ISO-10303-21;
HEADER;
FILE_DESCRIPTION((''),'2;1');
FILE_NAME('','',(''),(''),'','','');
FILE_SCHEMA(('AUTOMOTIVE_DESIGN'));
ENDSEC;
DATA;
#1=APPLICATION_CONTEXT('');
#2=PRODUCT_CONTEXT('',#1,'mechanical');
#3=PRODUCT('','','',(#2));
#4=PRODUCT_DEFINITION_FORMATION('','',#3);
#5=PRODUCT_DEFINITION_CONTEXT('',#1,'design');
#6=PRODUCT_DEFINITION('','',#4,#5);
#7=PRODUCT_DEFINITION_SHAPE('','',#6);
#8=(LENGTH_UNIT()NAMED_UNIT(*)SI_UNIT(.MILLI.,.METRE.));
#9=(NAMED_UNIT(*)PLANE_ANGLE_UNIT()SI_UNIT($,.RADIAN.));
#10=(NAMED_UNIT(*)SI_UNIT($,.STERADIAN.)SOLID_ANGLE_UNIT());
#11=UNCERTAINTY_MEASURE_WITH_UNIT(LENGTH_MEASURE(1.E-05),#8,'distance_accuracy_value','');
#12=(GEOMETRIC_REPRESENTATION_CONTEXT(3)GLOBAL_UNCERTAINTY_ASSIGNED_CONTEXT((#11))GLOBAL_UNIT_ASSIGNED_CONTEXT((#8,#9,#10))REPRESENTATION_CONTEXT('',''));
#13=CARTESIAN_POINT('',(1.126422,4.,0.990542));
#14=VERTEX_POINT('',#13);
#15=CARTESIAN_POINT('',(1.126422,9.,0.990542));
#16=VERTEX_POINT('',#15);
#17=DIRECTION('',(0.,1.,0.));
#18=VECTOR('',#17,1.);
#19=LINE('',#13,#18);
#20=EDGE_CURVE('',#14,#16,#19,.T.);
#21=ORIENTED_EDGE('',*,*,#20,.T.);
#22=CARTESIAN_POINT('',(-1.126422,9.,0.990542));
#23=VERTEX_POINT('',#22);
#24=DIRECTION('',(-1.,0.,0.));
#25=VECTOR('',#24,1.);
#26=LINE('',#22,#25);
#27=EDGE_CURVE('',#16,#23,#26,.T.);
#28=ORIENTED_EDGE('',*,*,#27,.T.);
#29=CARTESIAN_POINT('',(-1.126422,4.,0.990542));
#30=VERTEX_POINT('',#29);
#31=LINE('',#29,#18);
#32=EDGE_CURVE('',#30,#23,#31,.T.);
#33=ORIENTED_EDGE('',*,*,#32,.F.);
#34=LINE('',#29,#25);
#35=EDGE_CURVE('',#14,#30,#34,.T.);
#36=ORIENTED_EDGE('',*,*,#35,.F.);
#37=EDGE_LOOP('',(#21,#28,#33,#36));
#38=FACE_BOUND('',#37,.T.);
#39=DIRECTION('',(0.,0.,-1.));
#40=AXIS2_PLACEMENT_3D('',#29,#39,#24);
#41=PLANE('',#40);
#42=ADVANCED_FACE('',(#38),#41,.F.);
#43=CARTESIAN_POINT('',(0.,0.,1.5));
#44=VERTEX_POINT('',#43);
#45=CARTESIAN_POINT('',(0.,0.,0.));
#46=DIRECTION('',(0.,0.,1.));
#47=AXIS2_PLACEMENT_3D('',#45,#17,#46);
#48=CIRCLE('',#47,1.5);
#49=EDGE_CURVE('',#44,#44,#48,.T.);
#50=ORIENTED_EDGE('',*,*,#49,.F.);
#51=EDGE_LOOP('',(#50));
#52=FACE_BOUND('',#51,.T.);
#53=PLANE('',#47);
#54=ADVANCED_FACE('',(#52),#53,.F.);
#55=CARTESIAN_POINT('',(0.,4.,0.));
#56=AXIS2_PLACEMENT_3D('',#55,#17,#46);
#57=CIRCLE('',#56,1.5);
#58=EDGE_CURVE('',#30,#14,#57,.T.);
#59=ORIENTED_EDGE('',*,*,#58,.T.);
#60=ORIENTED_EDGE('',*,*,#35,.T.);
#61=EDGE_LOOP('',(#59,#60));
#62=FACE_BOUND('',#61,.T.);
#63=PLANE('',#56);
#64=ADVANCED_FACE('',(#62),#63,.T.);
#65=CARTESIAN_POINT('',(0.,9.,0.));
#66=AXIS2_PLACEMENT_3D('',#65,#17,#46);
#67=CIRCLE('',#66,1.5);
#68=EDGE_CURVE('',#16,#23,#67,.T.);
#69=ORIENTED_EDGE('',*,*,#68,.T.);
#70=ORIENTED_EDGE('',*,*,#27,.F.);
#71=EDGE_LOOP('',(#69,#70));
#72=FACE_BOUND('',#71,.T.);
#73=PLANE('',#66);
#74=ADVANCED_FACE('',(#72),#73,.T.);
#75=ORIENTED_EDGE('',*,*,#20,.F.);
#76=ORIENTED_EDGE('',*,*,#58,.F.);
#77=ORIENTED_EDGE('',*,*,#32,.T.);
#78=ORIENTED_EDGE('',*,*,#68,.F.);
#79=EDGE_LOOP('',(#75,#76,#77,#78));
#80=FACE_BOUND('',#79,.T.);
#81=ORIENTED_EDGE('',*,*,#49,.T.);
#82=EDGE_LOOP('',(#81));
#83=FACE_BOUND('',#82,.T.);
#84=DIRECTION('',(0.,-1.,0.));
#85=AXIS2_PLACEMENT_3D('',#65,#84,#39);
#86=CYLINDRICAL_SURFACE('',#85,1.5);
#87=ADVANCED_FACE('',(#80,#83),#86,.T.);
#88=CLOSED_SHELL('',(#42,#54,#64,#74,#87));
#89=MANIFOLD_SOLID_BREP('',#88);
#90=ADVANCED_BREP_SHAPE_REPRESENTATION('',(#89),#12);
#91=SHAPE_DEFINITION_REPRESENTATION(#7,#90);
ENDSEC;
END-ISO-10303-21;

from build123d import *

# Parameters (mm, degrees)
SKETCH1_R           = 1.5
BOSS_EXTRUDE1_DEPTH = 9
CUT_EXTRUDE1_START  = -5
CUT_EXTRUDE1_DEPTH  = 5


with BuildPart() as part:
    # Sketch1 → Boss-Extrude1 (new body)
    with BuildSketch(Plane(origin=(0, 0, 0), x_dir=(1, 0, 0), z_dir=(0, 1, 0))):
        with Locations(Location((0, 0, 0), (0, 0, 270))):
            Circle(SKETCH1_R)
    extrude(amount=BOSS_EXTRUDE1_DEPTH)

    # Sketch2 → Cut-Extrude1 (cut)
    with BuildSketch(Plane(origin=(0, 9, 0), x_dir=(1, 0, 0), z_dir=(0, 1, 0)).offset(CUT_EXTRUDE1_START)):
        with BuildLine():
            Line((-1.126421796, -0.990542244), (1.126421796, -0.990542244))
            ThreePointArc((1.126421796, -0.990542244), (0, -1.5), (-1.126421796, -0.990542244))
        make_face()
    extrude(amount=CUT_EXTRUDE1_DEPTH, mode=Mode.SUBTRACT)


solid = part.part
